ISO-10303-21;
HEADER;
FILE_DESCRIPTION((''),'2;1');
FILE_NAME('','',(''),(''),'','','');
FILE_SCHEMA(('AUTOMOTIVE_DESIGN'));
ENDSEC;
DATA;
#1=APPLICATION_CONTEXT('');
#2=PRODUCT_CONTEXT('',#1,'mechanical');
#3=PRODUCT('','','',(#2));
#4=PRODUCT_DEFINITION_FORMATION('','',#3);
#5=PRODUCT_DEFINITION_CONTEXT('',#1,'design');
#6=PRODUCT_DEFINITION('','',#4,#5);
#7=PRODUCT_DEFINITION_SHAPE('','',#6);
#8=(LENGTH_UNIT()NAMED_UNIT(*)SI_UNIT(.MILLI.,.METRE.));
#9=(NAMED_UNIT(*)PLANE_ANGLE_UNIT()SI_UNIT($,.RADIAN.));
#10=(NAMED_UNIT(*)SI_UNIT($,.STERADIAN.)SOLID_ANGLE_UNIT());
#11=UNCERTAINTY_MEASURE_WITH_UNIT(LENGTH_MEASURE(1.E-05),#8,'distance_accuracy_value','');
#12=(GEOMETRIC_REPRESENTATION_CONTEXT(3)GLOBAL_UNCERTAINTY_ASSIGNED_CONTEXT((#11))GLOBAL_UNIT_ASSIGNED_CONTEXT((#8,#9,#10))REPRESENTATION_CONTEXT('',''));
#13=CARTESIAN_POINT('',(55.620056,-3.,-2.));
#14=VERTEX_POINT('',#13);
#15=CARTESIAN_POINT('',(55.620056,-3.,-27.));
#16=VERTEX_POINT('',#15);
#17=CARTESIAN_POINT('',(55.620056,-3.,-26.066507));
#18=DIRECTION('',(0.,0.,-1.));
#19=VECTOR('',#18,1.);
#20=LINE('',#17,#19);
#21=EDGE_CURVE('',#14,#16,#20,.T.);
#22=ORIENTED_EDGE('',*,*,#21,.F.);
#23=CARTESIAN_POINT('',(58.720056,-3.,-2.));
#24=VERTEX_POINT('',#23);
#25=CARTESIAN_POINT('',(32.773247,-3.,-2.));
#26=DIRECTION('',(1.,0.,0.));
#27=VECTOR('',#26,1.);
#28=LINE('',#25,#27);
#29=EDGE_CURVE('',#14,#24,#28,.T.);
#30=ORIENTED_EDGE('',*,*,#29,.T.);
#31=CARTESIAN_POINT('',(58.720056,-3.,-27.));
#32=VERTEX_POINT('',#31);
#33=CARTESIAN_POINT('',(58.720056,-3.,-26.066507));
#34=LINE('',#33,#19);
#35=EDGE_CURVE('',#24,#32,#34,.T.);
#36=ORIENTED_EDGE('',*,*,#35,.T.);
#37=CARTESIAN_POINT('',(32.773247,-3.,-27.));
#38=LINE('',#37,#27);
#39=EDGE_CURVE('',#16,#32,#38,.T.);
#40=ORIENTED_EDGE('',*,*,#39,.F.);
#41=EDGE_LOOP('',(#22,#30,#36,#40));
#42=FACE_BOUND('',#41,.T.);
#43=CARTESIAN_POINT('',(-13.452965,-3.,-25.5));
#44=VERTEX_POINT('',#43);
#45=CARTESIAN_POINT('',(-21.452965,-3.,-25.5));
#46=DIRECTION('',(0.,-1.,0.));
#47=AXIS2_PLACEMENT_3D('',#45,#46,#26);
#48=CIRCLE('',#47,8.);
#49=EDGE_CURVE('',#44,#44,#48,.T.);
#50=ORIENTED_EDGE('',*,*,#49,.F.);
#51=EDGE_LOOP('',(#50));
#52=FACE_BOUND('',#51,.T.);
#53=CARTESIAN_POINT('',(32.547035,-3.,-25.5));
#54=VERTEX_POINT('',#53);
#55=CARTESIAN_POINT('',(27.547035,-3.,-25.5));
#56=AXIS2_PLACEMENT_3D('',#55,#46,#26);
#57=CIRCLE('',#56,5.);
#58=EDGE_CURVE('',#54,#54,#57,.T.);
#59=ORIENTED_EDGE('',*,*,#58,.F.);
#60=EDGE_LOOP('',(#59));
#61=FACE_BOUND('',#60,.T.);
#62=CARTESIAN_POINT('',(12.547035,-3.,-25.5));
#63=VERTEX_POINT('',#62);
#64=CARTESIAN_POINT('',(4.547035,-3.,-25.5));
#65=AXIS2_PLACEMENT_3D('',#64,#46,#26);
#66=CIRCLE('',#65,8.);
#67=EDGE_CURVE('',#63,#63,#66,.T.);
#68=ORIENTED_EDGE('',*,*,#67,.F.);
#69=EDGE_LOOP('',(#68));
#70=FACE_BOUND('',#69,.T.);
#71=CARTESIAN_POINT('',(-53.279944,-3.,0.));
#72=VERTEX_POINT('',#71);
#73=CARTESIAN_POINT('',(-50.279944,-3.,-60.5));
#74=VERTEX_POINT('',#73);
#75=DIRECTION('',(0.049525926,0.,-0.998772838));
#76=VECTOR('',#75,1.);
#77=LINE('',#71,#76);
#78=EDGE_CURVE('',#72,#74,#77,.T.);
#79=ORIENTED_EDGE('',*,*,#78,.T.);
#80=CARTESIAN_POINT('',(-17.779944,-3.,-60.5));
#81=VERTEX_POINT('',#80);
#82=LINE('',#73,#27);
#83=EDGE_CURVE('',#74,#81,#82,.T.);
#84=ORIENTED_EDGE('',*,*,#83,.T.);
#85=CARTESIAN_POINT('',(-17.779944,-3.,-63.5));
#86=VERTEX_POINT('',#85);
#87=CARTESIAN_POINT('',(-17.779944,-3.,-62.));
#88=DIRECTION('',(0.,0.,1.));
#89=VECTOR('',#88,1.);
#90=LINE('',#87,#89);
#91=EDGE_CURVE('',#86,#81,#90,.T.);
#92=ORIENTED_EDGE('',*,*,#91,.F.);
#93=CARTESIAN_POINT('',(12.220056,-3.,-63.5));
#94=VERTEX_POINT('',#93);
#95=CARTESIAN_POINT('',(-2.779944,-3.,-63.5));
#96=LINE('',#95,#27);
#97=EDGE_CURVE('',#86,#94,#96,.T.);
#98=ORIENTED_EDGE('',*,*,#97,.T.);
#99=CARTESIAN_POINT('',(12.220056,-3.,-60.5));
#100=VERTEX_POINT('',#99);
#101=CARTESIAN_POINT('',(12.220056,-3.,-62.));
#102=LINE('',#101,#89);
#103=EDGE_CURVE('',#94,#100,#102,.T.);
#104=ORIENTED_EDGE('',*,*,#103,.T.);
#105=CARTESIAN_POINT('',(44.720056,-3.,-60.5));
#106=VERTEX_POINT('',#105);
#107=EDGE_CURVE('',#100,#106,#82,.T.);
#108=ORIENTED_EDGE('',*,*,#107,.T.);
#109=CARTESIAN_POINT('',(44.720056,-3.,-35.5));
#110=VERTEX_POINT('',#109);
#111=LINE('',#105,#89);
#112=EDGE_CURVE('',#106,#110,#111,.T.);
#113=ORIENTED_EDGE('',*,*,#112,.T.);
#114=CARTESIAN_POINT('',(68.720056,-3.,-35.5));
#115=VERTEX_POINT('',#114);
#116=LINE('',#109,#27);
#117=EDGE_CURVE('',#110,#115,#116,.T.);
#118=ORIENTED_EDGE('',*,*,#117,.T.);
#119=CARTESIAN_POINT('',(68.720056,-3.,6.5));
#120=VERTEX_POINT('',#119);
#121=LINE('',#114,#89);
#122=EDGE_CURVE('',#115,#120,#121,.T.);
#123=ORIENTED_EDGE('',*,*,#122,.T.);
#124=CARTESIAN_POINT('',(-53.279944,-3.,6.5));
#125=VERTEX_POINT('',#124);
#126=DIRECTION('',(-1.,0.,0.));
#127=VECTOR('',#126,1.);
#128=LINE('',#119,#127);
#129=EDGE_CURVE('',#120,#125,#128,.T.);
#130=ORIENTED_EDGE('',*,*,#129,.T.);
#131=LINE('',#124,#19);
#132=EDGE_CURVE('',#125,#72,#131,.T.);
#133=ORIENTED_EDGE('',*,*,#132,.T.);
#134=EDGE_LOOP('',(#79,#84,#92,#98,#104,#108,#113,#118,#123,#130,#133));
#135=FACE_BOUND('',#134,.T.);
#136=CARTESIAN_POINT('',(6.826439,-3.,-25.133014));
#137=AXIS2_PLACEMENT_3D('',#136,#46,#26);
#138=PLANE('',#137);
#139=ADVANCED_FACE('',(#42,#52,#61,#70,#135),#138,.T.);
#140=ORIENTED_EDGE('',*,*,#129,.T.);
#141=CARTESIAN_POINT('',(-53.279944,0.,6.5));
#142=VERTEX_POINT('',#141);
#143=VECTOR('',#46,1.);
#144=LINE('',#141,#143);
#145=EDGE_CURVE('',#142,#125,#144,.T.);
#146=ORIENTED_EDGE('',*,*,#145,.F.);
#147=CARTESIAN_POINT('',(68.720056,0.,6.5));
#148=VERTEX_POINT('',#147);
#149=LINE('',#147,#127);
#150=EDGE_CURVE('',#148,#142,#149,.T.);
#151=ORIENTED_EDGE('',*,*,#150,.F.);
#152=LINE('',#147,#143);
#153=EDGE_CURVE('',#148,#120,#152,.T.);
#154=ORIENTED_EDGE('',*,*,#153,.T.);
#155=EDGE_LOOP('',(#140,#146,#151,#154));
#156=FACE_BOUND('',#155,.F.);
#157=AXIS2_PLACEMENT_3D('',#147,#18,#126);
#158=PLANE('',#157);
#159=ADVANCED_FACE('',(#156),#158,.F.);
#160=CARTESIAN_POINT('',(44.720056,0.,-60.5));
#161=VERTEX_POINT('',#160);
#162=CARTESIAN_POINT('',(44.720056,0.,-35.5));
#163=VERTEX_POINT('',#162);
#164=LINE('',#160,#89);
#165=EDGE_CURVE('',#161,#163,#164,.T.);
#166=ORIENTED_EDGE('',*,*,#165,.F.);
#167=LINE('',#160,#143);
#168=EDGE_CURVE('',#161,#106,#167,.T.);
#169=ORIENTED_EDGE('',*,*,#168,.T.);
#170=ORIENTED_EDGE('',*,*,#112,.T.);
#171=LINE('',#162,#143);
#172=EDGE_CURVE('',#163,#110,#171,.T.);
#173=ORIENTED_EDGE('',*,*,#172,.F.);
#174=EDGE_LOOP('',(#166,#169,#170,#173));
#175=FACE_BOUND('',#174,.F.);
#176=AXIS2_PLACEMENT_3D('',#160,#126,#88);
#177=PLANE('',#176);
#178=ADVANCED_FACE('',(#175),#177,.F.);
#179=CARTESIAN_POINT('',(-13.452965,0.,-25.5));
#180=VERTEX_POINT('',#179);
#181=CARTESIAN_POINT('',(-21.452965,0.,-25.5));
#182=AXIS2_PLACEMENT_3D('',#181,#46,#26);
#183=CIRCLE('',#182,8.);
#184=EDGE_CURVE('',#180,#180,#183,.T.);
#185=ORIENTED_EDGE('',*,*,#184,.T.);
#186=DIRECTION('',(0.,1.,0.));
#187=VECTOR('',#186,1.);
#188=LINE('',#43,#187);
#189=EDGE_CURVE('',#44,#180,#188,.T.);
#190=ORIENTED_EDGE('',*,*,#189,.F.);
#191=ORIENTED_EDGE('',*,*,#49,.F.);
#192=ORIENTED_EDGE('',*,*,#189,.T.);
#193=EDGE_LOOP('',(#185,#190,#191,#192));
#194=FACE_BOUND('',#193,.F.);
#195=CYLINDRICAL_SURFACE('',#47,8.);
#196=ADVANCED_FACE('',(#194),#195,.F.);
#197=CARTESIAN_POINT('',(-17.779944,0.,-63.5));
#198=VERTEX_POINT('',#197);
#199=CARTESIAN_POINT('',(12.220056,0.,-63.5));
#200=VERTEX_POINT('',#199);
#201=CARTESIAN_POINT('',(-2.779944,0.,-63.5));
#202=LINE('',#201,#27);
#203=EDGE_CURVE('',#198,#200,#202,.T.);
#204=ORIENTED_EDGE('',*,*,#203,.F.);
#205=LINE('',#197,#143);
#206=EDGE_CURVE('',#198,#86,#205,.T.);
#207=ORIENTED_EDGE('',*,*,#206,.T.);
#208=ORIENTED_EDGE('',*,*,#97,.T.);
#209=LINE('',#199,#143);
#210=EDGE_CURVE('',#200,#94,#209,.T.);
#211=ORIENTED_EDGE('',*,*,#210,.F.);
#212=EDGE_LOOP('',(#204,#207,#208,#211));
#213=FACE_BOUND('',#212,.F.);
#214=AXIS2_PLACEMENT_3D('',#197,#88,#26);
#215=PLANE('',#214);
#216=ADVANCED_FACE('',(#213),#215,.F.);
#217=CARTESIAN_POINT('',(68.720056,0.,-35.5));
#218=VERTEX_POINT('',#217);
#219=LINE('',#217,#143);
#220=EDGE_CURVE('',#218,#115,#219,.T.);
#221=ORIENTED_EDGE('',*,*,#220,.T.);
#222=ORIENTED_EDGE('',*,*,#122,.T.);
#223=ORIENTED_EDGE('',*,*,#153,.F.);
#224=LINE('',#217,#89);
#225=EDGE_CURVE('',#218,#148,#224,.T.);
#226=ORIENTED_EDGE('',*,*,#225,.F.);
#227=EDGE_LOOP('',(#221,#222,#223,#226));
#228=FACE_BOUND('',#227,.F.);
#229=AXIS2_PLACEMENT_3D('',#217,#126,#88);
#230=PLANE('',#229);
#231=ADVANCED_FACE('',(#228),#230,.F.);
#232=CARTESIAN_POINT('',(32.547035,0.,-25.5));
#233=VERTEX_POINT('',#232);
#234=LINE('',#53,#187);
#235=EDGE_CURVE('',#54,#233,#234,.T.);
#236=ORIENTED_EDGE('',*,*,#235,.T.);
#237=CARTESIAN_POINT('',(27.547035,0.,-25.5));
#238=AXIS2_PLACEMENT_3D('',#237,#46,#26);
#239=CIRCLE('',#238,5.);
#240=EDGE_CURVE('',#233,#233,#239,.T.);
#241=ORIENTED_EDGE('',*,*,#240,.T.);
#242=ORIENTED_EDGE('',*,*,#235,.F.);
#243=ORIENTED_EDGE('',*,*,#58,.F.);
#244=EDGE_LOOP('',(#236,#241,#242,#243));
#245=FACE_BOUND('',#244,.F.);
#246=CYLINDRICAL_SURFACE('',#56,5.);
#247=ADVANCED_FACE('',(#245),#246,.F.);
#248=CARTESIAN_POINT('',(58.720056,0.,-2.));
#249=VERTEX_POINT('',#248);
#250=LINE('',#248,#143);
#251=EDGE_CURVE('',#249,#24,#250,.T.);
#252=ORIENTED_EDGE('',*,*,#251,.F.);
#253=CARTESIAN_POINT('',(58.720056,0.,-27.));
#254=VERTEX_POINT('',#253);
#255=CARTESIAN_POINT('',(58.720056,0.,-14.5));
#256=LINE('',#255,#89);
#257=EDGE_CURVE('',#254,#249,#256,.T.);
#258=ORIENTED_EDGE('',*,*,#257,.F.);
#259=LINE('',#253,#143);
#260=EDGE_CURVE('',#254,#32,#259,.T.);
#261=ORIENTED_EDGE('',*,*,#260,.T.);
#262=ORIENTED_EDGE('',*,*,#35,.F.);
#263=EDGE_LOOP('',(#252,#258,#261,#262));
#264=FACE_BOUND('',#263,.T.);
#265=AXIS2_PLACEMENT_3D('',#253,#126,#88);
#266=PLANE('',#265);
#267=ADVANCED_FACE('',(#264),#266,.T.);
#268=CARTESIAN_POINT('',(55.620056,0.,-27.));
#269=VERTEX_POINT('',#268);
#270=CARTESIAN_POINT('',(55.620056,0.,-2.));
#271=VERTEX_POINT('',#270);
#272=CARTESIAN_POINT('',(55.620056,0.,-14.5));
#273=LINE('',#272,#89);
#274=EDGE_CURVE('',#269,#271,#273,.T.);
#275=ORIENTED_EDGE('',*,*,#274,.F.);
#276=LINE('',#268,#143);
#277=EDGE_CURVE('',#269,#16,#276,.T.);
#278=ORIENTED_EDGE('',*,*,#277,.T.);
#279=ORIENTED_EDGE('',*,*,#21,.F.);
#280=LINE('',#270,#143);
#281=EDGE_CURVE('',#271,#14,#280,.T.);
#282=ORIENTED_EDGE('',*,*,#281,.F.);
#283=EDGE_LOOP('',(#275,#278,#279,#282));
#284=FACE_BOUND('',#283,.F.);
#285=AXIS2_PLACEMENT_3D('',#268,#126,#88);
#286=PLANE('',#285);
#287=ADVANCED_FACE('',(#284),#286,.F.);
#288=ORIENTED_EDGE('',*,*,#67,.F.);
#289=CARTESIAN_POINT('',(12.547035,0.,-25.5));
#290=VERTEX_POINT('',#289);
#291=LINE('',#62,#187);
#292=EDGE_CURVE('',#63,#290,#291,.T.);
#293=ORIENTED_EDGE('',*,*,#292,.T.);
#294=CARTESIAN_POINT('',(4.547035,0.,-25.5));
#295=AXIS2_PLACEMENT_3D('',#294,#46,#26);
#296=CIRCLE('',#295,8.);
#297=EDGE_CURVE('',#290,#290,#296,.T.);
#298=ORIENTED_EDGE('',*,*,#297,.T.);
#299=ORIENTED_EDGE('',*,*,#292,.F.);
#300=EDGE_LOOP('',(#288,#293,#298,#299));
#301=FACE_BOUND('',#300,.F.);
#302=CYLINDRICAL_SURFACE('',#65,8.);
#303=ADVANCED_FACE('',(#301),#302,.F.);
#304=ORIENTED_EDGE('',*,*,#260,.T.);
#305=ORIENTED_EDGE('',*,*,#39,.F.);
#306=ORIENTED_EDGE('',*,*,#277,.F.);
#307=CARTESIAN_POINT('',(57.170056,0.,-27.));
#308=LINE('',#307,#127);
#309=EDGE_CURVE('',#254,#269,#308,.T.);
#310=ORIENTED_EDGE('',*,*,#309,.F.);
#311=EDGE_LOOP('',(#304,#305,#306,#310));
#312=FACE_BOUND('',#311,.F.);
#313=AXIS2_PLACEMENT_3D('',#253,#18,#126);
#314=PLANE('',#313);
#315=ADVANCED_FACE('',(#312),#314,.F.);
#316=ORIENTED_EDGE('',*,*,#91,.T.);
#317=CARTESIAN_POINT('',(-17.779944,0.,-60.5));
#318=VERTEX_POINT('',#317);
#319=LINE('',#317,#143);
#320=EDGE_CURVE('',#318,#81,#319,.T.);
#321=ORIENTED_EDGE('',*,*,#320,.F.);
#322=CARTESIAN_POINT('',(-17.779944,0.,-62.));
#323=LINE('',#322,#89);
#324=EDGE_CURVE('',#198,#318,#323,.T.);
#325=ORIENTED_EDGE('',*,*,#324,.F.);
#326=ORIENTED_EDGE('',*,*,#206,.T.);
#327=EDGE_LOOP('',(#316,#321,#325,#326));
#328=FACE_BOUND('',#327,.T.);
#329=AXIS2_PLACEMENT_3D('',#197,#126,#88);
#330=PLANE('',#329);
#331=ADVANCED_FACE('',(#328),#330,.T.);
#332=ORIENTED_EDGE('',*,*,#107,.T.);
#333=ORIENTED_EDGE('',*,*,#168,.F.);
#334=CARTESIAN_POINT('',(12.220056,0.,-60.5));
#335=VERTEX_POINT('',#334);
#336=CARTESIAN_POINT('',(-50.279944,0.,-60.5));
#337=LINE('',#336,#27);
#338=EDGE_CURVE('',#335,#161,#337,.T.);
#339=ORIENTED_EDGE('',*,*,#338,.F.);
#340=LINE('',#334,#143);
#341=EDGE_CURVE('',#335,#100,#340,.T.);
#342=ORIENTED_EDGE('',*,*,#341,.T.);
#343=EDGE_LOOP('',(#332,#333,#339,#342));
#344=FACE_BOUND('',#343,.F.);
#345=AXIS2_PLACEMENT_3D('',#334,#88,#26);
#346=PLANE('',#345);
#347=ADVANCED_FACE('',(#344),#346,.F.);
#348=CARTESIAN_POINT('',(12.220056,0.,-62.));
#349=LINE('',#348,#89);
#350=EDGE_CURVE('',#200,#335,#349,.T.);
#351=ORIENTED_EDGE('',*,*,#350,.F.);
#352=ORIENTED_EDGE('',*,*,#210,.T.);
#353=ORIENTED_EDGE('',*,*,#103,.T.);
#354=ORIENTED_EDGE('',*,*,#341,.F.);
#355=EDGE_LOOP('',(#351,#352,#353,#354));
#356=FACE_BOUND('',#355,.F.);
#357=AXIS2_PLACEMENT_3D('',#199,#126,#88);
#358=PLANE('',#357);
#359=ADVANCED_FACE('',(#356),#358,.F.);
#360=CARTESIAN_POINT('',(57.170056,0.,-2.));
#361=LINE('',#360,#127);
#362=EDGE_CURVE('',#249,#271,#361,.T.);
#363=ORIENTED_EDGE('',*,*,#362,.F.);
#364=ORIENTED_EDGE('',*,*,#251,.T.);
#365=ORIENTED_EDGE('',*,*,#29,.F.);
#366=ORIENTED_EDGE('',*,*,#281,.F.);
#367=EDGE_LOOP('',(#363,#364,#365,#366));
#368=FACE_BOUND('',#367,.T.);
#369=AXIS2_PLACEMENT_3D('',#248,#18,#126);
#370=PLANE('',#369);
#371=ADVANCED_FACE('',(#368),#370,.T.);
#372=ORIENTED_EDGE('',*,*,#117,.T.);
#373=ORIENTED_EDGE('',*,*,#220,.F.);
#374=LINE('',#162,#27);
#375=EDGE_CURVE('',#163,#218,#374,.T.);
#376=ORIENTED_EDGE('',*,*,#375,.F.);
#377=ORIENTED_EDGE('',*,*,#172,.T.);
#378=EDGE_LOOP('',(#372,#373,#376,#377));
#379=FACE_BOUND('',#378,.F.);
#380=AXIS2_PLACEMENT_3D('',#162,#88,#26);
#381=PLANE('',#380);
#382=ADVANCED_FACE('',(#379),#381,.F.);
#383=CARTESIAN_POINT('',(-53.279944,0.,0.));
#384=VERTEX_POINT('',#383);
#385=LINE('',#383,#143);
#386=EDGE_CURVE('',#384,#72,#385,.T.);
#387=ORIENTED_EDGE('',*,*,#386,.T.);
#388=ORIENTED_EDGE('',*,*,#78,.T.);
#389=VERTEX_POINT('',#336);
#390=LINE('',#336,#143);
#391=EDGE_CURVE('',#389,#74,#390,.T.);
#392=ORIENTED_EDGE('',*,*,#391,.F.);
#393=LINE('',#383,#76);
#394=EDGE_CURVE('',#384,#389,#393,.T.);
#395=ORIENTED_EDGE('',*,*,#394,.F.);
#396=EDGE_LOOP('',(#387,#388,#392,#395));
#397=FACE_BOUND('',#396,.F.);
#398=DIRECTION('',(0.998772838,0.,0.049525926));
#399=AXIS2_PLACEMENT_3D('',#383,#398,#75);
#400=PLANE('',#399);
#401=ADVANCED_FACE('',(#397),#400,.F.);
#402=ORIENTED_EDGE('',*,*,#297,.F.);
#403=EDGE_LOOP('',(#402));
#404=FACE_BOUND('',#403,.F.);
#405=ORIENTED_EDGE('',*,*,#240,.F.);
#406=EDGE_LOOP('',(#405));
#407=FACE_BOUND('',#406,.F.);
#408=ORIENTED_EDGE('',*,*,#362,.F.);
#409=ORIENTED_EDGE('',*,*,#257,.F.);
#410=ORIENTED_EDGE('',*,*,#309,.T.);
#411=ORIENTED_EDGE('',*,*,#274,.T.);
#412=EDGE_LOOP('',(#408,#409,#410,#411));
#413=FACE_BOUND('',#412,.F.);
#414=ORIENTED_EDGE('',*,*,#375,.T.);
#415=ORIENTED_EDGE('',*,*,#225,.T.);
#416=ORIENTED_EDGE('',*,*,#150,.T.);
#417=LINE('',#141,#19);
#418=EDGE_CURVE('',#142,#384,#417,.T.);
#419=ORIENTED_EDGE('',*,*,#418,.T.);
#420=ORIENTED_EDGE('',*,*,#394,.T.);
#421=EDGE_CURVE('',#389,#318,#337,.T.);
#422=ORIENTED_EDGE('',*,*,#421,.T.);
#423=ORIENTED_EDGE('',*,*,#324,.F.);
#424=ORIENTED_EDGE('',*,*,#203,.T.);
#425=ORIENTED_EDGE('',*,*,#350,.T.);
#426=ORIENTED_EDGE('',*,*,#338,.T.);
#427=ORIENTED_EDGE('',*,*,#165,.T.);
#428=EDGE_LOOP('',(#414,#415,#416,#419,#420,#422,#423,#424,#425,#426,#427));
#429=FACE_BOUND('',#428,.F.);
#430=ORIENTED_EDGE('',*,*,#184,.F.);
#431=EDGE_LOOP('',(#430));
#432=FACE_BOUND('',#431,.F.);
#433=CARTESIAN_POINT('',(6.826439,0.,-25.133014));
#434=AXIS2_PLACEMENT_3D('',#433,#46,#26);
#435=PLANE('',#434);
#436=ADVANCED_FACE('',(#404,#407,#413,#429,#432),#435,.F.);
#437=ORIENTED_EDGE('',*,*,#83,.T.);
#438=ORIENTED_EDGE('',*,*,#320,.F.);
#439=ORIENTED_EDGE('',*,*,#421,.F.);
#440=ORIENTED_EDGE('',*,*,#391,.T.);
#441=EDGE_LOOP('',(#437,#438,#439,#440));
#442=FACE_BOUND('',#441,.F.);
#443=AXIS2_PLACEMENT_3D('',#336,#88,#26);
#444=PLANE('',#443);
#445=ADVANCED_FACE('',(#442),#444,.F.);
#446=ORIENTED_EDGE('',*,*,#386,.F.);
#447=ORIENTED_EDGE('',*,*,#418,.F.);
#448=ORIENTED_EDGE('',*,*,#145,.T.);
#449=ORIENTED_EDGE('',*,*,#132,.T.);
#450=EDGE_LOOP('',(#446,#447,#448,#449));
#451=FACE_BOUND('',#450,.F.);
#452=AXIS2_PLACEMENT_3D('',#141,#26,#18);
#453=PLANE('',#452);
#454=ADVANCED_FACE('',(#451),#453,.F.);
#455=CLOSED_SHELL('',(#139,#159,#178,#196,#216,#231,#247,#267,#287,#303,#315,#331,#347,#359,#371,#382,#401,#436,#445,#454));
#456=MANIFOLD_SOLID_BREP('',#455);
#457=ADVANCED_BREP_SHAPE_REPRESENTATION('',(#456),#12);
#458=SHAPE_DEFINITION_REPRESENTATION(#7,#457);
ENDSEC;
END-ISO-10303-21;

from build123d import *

# Parameters (mm, degrees)
F0_W     = 30
F0_H     = 3
F1_DEPTH = 3
F2_W     = 3.1
F2_H     = 25
F3_DEPTH = 25
F4_R     = 8
F4_R_2   = 5
F5_DEPTH = 25


with BuildPart() as f1:
    # F0 (on Front) → F1 (new body)
    with BuildSketch(Plane.XZ):
        Polygon((68.720056, 6.5), (44.720056, 6.5), (-50.279944, 6.5), (-53.279944, 6.5), (-53.279944, 0), (-50.279944, -60.5), (-17.779944, -60.5), (12.220056, -60.5), (44.720056, -60.5), (44.720056, -35.5), (68.720056, -35.5), align=None)
        with Locations((-2.779944, -62)):
            Rectangle(F0_W, F0_H)
    extrude(amount=F1_DEPTH)

    # F2 (on face) → F3 (cut)
    with BuildSketch(Plane(origin=(0, 0, 0), x_dir=(-1, 0, 0), z_dir=(0, 1, 0))):
        with Locations((-57.170056, -14.5)):
            Rectangle(F2_W, F2_H)
    extrude(amount=-F3_DEPTH, mode=Mode.SUBTRACT)

    # F4 (on face) → F5 (cut)
    with BuildSketch(Plane.XZ.offset(3)):
        with Locations((-21.452965, -25.5)):
            Circle(F4_R)
        with Locations((4.547035, -25.5)):
            Circle(F4_R)
        with Locations((27.547035, -25.5)):
            Circle(F4_R_2)
    extrude(amount=-F5_DEPTH, mode=Mode.SUBTRACT)


solid = f1.part
